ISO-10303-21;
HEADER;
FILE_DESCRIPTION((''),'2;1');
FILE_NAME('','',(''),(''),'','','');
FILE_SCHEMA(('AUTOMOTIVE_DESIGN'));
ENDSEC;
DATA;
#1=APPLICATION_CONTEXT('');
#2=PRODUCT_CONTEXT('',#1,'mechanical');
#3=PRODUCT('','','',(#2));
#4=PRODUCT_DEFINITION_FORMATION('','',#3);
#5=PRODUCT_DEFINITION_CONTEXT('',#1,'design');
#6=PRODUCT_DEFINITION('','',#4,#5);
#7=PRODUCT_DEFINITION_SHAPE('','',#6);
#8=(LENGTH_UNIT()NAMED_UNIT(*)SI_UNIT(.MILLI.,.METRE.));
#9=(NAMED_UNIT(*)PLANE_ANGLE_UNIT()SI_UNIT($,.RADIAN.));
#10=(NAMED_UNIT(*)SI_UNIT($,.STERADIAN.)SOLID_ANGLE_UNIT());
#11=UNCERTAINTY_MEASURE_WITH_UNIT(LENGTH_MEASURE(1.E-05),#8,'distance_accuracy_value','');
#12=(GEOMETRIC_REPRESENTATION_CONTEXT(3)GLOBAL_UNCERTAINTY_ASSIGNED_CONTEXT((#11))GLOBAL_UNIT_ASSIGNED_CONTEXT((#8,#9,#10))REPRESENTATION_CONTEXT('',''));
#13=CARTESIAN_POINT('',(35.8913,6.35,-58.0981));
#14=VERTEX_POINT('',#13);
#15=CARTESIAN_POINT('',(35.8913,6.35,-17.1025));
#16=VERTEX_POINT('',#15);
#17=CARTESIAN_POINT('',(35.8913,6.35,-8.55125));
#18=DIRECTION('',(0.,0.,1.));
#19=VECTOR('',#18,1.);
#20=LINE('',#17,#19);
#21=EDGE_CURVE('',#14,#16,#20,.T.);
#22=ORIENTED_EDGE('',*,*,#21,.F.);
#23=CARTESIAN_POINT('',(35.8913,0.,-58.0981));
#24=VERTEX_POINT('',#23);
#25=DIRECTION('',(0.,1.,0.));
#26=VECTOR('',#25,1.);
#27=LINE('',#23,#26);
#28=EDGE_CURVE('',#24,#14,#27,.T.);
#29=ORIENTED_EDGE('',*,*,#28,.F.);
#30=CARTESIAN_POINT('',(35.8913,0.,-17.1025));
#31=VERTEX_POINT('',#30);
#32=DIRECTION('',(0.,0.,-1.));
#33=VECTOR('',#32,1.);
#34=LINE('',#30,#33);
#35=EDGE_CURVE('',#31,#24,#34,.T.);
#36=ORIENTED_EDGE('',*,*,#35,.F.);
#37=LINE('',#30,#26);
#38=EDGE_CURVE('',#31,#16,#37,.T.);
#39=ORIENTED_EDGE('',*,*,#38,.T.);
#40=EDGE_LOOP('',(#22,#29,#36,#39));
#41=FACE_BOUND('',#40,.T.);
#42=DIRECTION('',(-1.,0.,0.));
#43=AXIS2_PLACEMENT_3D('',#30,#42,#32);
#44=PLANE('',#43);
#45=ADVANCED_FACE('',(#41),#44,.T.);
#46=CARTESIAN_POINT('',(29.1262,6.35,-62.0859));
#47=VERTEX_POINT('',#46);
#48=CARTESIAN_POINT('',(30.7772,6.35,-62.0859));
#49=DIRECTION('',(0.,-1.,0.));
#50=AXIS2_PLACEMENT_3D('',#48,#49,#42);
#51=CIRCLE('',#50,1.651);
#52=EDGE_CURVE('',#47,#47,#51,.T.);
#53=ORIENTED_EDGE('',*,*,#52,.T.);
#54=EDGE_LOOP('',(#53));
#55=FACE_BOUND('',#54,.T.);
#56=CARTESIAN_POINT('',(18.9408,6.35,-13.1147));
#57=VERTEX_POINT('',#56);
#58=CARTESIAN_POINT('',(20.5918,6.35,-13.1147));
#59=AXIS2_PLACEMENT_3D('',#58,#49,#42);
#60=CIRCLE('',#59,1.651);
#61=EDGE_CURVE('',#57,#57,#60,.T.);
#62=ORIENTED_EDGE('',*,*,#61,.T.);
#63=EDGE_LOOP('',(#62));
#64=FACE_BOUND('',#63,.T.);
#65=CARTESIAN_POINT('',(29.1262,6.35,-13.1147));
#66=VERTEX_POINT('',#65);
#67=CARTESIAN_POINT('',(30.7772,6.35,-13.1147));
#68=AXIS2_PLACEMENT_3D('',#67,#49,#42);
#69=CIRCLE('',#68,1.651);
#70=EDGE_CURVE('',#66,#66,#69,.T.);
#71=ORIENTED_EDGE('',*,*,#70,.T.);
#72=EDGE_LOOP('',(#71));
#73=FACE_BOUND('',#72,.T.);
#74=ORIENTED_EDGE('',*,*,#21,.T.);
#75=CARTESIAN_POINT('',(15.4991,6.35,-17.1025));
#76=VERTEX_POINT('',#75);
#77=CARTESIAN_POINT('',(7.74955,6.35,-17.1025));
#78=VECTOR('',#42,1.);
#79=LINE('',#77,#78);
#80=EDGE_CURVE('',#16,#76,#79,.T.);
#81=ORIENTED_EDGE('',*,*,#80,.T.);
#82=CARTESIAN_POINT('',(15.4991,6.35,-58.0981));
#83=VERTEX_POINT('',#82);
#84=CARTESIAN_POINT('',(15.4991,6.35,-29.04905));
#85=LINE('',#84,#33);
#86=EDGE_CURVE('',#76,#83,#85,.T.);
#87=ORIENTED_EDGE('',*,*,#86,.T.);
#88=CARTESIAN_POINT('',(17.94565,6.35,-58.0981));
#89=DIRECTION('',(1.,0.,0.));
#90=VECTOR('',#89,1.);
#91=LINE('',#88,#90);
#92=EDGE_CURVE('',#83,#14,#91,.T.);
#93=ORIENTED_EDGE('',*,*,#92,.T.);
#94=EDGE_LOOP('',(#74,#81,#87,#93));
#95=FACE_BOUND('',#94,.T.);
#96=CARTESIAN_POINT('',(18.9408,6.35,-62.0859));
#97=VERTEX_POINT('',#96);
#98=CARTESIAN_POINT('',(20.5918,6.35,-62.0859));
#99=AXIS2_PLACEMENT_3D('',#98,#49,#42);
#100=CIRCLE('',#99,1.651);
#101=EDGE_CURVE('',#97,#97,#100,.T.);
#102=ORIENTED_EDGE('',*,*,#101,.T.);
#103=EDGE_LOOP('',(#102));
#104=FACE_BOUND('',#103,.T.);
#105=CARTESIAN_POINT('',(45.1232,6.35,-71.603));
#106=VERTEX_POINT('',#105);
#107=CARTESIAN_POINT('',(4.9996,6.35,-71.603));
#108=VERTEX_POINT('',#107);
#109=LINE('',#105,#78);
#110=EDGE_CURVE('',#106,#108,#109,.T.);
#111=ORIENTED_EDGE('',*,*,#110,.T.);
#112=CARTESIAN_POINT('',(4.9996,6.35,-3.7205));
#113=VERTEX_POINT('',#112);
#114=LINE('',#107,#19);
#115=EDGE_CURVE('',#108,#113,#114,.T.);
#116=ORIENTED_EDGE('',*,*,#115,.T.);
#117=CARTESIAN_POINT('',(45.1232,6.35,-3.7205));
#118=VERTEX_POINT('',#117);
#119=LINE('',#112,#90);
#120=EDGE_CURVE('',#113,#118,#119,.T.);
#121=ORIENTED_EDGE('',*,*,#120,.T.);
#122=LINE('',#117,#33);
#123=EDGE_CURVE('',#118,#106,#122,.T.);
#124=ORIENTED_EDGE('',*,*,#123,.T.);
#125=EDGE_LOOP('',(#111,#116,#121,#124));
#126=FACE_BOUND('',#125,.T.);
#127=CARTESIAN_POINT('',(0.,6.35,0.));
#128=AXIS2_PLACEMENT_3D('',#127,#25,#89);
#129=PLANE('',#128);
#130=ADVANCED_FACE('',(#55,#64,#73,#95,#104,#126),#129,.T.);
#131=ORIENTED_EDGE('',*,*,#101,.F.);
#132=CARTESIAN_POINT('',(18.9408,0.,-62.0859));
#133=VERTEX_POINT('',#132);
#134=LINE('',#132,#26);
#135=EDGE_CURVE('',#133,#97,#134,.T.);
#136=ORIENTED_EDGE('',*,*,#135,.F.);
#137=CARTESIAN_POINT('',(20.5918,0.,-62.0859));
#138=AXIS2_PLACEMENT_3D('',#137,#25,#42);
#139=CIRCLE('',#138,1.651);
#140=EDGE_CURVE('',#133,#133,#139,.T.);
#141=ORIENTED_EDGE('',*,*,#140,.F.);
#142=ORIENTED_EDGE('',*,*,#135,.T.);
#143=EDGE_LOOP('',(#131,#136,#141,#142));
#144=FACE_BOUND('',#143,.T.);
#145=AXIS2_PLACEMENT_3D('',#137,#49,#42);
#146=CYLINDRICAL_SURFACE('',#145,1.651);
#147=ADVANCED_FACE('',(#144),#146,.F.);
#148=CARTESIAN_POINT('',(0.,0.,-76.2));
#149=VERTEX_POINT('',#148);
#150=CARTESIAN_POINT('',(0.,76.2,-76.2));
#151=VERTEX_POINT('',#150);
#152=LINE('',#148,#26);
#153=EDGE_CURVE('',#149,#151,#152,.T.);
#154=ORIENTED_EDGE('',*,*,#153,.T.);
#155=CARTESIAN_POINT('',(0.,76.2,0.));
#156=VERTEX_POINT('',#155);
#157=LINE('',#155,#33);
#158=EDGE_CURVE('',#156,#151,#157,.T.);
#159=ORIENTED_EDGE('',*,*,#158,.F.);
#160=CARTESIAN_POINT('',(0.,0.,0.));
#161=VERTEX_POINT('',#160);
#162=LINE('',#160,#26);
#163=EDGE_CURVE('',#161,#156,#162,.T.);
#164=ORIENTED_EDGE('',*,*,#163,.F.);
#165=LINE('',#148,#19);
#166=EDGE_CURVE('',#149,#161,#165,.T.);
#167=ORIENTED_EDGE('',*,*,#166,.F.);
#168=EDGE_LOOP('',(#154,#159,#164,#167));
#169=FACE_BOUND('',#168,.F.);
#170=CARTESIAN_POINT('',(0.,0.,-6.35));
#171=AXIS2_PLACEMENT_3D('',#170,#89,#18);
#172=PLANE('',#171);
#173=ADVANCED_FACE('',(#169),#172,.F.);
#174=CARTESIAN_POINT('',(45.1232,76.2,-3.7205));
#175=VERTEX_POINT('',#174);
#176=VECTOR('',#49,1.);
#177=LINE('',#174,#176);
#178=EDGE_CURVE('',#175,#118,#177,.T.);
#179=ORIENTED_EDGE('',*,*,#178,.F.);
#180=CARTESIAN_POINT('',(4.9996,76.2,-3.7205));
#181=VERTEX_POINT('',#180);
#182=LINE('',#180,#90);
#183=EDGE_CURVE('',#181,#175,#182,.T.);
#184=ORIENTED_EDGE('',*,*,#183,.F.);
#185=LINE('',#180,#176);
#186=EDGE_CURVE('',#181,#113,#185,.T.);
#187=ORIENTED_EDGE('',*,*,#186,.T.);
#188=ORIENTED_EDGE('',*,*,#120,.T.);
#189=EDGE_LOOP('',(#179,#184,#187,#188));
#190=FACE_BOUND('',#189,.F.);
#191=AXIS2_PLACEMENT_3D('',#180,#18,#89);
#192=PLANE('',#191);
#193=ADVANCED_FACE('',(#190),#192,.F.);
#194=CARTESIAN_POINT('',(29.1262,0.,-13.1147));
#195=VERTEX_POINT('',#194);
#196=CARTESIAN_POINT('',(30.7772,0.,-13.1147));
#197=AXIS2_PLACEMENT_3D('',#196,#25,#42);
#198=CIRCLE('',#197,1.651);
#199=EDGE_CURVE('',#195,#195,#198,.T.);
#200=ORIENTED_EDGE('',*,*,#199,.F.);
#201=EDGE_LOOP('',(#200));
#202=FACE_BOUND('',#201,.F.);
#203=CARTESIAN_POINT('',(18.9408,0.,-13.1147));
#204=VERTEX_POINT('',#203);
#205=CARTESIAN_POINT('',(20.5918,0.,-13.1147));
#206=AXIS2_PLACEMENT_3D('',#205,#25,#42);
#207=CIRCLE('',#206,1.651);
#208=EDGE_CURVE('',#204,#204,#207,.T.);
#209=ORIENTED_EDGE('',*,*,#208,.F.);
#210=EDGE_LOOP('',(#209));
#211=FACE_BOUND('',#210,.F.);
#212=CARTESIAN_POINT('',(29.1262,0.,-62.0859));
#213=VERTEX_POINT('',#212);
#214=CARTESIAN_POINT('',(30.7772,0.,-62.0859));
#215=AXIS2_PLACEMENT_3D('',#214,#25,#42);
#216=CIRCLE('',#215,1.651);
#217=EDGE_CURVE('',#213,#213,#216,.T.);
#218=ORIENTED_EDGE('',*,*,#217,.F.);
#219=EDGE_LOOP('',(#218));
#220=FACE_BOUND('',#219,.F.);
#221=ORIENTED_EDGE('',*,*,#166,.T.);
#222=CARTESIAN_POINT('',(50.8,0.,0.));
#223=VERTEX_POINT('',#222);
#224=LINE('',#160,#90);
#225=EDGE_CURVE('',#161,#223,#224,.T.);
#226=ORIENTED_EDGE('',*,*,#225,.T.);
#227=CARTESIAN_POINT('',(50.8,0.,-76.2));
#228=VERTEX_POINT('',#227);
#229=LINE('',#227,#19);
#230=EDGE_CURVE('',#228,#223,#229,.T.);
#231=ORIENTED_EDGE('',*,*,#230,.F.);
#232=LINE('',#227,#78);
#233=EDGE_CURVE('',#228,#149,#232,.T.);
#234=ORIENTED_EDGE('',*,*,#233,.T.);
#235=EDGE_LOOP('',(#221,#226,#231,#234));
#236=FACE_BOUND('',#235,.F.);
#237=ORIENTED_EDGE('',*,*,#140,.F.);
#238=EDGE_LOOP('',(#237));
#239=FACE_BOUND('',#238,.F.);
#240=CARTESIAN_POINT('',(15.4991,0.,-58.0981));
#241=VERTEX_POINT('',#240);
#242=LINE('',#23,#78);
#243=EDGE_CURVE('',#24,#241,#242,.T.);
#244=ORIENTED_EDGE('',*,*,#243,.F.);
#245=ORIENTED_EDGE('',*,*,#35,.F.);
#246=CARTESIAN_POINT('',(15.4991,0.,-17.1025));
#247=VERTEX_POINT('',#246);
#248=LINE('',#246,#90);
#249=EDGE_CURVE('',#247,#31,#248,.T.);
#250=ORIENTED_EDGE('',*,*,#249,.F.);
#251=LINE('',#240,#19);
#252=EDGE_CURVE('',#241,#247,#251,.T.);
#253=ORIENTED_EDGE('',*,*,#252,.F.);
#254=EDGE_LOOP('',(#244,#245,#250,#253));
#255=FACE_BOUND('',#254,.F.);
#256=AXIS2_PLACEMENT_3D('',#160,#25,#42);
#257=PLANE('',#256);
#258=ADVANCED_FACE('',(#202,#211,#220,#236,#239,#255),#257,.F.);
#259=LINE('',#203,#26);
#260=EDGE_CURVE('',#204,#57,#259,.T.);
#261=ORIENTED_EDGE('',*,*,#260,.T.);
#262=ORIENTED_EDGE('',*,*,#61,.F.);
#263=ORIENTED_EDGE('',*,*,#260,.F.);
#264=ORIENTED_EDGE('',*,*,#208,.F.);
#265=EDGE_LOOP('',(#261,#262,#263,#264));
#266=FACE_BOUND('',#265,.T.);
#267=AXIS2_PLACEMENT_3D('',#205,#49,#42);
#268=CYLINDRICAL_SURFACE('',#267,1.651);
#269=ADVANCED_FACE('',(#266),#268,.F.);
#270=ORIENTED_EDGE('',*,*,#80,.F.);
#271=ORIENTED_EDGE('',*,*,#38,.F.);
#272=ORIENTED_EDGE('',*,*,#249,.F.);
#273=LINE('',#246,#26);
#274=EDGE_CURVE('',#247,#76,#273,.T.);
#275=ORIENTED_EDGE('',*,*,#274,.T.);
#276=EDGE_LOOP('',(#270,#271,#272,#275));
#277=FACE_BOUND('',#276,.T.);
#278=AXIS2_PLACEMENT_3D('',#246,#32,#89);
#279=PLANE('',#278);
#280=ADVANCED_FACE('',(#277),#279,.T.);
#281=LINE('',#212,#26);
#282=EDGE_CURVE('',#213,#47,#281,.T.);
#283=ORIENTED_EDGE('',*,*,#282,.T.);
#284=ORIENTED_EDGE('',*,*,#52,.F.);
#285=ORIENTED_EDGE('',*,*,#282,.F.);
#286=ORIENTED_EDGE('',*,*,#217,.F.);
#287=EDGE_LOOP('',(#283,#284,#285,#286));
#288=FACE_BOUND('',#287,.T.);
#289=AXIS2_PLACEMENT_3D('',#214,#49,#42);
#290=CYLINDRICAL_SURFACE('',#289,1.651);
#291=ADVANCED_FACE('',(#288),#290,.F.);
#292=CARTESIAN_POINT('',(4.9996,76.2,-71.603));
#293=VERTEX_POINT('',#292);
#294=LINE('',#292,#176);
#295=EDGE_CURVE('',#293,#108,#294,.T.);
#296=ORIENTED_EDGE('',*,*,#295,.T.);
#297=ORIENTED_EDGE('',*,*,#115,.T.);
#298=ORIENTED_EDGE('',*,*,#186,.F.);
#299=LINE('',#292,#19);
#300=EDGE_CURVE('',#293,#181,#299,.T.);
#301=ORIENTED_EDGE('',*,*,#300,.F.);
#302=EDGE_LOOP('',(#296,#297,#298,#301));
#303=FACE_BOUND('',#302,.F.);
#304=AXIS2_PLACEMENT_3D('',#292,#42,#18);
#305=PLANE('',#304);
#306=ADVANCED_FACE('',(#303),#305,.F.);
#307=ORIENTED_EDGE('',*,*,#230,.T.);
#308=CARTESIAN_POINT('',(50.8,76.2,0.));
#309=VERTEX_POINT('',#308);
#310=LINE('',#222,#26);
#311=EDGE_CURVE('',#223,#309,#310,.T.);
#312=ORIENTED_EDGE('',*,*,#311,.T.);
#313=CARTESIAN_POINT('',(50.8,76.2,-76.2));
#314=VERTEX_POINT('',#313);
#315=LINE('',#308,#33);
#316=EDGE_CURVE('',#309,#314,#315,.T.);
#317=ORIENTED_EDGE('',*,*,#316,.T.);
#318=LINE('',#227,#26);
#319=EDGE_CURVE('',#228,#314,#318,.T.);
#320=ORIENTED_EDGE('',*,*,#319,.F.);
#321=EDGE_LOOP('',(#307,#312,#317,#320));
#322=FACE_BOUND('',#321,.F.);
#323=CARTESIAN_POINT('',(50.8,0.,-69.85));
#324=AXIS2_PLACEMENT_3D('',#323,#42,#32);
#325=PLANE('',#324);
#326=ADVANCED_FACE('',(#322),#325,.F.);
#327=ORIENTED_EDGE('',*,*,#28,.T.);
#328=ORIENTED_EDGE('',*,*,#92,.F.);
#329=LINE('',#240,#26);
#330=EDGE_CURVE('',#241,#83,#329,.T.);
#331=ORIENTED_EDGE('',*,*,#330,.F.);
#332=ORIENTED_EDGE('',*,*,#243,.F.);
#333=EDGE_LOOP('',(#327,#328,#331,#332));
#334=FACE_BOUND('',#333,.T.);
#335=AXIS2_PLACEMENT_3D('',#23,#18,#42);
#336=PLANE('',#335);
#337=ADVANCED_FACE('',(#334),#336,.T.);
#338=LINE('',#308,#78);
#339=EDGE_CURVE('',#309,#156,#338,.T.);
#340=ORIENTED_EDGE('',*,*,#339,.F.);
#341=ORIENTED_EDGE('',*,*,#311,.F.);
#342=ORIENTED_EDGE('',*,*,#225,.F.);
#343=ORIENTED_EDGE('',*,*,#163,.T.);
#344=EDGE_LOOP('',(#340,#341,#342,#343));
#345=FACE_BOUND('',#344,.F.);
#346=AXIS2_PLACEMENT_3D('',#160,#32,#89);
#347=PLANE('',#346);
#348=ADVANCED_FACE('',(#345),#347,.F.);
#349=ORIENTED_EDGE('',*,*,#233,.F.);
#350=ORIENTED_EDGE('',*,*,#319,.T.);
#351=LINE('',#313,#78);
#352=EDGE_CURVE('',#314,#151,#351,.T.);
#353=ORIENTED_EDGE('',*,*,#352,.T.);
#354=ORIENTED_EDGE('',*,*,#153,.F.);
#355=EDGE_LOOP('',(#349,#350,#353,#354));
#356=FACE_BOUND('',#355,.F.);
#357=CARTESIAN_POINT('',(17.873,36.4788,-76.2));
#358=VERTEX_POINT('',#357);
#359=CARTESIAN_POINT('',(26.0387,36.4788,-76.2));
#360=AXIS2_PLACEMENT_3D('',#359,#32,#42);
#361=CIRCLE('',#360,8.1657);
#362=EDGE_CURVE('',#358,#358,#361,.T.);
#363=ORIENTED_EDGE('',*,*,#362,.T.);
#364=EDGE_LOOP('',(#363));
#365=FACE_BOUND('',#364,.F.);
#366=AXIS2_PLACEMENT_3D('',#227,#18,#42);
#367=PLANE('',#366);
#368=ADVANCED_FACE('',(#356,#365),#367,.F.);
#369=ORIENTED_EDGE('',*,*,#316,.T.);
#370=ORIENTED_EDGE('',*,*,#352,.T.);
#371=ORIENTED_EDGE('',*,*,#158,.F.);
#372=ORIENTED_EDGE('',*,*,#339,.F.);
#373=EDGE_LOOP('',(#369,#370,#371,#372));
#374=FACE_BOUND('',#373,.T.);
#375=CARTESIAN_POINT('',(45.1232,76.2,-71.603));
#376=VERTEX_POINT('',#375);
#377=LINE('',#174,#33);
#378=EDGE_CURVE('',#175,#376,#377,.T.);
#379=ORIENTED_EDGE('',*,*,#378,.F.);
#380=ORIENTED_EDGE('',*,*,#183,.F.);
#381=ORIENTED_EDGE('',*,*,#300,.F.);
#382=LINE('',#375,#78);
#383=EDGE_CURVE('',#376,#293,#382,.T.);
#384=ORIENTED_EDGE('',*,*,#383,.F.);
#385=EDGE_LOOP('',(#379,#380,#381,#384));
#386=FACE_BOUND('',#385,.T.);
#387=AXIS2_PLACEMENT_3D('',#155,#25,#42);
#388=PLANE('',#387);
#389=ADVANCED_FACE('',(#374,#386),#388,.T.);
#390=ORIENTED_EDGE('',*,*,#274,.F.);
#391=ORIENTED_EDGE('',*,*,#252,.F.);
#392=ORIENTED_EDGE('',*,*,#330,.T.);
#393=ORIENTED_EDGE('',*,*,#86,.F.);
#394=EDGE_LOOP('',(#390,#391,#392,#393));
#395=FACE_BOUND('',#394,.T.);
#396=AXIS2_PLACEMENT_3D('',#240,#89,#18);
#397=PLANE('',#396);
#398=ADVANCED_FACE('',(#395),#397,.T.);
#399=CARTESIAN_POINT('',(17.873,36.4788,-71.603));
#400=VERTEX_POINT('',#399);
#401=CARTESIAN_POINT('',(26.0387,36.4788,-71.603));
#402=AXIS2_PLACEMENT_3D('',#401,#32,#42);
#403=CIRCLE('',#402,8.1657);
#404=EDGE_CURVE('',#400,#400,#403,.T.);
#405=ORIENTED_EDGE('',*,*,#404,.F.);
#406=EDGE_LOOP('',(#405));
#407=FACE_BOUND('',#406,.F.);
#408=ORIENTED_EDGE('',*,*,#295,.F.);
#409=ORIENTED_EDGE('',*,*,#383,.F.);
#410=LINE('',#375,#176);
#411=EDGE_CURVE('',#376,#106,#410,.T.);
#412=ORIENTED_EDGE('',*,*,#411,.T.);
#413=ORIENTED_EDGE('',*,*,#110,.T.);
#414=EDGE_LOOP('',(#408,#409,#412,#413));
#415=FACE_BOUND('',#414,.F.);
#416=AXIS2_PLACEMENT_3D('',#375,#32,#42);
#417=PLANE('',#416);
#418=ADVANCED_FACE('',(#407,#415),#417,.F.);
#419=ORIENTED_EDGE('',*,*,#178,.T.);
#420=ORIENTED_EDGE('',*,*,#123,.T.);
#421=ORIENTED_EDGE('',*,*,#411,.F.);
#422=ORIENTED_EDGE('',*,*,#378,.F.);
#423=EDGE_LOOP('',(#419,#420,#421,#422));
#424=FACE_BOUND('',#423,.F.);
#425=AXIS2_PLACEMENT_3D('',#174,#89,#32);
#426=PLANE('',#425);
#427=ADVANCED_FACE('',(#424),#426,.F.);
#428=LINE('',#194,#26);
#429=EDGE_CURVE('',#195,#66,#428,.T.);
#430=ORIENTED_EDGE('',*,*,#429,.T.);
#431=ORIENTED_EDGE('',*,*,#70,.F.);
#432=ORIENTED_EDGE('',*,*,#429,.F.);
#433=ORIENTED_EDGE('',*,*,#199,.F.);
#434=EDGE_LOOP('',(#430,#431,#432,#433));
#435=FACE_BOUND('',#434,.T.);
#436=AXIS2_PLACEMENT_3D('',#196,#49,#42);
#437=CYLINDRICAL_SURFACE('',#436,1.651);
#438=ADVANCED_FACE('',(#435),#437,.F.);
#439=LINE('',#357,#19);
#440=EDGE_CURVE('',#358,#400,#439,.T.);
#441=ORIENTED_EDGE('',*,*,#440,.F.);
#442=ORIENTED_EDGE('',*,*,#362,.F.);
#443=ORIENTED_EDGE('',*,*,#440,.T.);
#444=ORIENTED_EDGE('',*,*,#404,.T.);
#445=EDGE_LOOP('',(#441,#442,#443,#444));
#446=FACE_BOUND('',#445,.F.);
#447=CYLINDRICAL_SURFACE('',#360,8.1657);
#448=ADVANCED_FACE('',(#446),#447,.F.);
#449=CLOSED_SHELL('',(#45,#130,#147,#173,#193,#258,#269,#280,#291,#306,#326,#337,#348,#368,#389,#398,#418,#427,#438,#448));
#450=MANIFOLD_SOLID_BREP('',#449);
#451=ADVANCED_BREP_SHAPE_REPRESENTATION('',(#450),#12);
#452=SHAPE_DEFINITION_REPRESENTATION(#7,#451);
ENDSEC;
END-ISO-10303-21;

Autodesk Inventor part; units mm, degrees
ref_plane "YZ Plane" through (0, 0, 0) normal (1, 0, 0) x (0, 1, 0)
ref_plane "XZ Plane" through (0, 0, 0) normal (0, 1, 0) x (-1, 0, 0)
ref_plane "XY Plane" through (0, 0, 0) normal (0, 0, 1) x (1, 0, 0)
sketch "Sketch1" plane through (0, 0, 0) normal (0, 1, 0) x (-1, 0, 0)
  line L0 (0, 0) -> (-50.8, 0)
  line L1 (-50.8, 0) -> (-50.8, -76.2)
  line L2 (-50.8, -76.2) -> (0, -76.2)
  line L3 (0, -76.2) -> (0, 0)
  line L4 (-4.0754, 0) -> (-4.0754, -6.35)
  line L5 (0, -6.35) -> (-6.35, -6.35)
  line L6 (-50.8, -76.2) -> (-50.8, -69.85)
  line L7 (-50.8, -69.85) -> (-44.45, -69.85)
  line L8 (-6.35, -6.35) -> (-44.45, -6.35)
  line L9 (-44.45, -6.35) -> (-44.45, -69.85)
  line L10 (-44.45, -69.85) -> (-6.35, -69.85)
  line L11 (-6.35, -69.85) -> (-6.35, -6.35)
  dimension "d0" = 50.8
  dimension "d1" = 76.2
  dimension "d2" = 6.35
  dimension "d3" = 6.35
  dimension "d4" = 6.35
  dimension "d5" = 6.35
sketch "Sketch2" plane through (0, 0, 0) normal (0, 1, 0) x (-1, 0, 0)
  line L0 (-15.4991, -17.1025) -> (-35.8913, -17.1025)
  line L1 (-35.8913, -17.1025) -> (-35.8913, -58.0981)
  line L2 (-35.8913, -58.0981) -> (-15.4991, -58.0981)
  line L3 (-15.4991, -58.0981) -> (-15.4991, -17.1025)
  line L4 (-13.6908, -9.3345) -> (-8.6145, -9.1421)
  line L5 (-38.0829, -65.7666) -> (-42.7545, -67.7622)
  line L6 (-8.6145, -9.1421) -> (-42.7545, -9.1421)
  line L7 (-42.7545, -9.1421) -> (-42.7545, -67.7622)
  line L8 (-42.7545, -67.7622) -> (-8.6145, -67.7622)
  line L9 (-8.6145, -67.7622) -> (-8.6145, -9.1421)
  circle A0 centre (-20.5918, -13.1147) radius 1.651
  circle A1 centre (-30.7772, -13.1147) radius 1.651
  circle A2 centre (-20.5918, -62.0859) radius 1.651
  circle A3 centre (-30.7772, -62.0859) radius 1.651
  point P0 (0, 0)
  dimension "d6" = 40.9956
  dimension "d7" = 7.9756
  dimension "d8" = 5.08
  dimension "d9" = 7.9756
  dimension "d10" = 5.08
  dimension "d11" = 3.302
  dimension "d12" = 3.302
  dimension "d13" = 3.302
  dimension "d14" = 3.302
  dimension "d15" = 6.8846
  dimension "d16" = 6.8633
sketch "Sketch3" plane through (0, 0, 0) normal (0, 1, 0) x (-1, 0, 0)
  line L0 (-6.35, -6.35) -> (-44.45, -6.35)
  line L1 (-44.45, -6.35) -> (-44.45, -69.85)
  line L2 (-44.45, -69.85) -> (-6.35, -69.85)
  line L3 (-6.35, -69.85) -> (-6.35, -6.35)
  point P0 (0, 0)
extrude "Extrusion1" add sketch "Sketch1" along normal blind 76.2
sketch "Sketch4" plane through (0, 76.2, 0) normal (0, 1, 0) x (1, 0, 0)
  line L0 (45.1232, 71.603) -> (4.9996, 71.603)
  line L1 (4.9996, 71.603) -> (4.9996, 3.7205)
  line L2 (4.9996, 3.7205) -> (45.1232, 3.7205)
  line L3 (45.1232, 3.7205) -> (45.1232, 71.603)
  point P0 (0, 0)
extrude "Extrusion2" cut sketch "Sketch4" against normal blind 69.85
sketch "Sketch5" plane through (50.8, 0, -76.2) normal (0, 0, -1) x (-1, 0, 0)
  circle A0 centre (24.7613, 36.4788) radius 8.1657
  point P0 (50.8, 0)
extrude "Extrusion3" cut sketch "Sketch5" against normal blind 25.4
extrude "Extrusion4" cut sketch "Sketch2" along normal through all contours L3 L2 L1 L0 | A0 | A1 | A2 | A3
